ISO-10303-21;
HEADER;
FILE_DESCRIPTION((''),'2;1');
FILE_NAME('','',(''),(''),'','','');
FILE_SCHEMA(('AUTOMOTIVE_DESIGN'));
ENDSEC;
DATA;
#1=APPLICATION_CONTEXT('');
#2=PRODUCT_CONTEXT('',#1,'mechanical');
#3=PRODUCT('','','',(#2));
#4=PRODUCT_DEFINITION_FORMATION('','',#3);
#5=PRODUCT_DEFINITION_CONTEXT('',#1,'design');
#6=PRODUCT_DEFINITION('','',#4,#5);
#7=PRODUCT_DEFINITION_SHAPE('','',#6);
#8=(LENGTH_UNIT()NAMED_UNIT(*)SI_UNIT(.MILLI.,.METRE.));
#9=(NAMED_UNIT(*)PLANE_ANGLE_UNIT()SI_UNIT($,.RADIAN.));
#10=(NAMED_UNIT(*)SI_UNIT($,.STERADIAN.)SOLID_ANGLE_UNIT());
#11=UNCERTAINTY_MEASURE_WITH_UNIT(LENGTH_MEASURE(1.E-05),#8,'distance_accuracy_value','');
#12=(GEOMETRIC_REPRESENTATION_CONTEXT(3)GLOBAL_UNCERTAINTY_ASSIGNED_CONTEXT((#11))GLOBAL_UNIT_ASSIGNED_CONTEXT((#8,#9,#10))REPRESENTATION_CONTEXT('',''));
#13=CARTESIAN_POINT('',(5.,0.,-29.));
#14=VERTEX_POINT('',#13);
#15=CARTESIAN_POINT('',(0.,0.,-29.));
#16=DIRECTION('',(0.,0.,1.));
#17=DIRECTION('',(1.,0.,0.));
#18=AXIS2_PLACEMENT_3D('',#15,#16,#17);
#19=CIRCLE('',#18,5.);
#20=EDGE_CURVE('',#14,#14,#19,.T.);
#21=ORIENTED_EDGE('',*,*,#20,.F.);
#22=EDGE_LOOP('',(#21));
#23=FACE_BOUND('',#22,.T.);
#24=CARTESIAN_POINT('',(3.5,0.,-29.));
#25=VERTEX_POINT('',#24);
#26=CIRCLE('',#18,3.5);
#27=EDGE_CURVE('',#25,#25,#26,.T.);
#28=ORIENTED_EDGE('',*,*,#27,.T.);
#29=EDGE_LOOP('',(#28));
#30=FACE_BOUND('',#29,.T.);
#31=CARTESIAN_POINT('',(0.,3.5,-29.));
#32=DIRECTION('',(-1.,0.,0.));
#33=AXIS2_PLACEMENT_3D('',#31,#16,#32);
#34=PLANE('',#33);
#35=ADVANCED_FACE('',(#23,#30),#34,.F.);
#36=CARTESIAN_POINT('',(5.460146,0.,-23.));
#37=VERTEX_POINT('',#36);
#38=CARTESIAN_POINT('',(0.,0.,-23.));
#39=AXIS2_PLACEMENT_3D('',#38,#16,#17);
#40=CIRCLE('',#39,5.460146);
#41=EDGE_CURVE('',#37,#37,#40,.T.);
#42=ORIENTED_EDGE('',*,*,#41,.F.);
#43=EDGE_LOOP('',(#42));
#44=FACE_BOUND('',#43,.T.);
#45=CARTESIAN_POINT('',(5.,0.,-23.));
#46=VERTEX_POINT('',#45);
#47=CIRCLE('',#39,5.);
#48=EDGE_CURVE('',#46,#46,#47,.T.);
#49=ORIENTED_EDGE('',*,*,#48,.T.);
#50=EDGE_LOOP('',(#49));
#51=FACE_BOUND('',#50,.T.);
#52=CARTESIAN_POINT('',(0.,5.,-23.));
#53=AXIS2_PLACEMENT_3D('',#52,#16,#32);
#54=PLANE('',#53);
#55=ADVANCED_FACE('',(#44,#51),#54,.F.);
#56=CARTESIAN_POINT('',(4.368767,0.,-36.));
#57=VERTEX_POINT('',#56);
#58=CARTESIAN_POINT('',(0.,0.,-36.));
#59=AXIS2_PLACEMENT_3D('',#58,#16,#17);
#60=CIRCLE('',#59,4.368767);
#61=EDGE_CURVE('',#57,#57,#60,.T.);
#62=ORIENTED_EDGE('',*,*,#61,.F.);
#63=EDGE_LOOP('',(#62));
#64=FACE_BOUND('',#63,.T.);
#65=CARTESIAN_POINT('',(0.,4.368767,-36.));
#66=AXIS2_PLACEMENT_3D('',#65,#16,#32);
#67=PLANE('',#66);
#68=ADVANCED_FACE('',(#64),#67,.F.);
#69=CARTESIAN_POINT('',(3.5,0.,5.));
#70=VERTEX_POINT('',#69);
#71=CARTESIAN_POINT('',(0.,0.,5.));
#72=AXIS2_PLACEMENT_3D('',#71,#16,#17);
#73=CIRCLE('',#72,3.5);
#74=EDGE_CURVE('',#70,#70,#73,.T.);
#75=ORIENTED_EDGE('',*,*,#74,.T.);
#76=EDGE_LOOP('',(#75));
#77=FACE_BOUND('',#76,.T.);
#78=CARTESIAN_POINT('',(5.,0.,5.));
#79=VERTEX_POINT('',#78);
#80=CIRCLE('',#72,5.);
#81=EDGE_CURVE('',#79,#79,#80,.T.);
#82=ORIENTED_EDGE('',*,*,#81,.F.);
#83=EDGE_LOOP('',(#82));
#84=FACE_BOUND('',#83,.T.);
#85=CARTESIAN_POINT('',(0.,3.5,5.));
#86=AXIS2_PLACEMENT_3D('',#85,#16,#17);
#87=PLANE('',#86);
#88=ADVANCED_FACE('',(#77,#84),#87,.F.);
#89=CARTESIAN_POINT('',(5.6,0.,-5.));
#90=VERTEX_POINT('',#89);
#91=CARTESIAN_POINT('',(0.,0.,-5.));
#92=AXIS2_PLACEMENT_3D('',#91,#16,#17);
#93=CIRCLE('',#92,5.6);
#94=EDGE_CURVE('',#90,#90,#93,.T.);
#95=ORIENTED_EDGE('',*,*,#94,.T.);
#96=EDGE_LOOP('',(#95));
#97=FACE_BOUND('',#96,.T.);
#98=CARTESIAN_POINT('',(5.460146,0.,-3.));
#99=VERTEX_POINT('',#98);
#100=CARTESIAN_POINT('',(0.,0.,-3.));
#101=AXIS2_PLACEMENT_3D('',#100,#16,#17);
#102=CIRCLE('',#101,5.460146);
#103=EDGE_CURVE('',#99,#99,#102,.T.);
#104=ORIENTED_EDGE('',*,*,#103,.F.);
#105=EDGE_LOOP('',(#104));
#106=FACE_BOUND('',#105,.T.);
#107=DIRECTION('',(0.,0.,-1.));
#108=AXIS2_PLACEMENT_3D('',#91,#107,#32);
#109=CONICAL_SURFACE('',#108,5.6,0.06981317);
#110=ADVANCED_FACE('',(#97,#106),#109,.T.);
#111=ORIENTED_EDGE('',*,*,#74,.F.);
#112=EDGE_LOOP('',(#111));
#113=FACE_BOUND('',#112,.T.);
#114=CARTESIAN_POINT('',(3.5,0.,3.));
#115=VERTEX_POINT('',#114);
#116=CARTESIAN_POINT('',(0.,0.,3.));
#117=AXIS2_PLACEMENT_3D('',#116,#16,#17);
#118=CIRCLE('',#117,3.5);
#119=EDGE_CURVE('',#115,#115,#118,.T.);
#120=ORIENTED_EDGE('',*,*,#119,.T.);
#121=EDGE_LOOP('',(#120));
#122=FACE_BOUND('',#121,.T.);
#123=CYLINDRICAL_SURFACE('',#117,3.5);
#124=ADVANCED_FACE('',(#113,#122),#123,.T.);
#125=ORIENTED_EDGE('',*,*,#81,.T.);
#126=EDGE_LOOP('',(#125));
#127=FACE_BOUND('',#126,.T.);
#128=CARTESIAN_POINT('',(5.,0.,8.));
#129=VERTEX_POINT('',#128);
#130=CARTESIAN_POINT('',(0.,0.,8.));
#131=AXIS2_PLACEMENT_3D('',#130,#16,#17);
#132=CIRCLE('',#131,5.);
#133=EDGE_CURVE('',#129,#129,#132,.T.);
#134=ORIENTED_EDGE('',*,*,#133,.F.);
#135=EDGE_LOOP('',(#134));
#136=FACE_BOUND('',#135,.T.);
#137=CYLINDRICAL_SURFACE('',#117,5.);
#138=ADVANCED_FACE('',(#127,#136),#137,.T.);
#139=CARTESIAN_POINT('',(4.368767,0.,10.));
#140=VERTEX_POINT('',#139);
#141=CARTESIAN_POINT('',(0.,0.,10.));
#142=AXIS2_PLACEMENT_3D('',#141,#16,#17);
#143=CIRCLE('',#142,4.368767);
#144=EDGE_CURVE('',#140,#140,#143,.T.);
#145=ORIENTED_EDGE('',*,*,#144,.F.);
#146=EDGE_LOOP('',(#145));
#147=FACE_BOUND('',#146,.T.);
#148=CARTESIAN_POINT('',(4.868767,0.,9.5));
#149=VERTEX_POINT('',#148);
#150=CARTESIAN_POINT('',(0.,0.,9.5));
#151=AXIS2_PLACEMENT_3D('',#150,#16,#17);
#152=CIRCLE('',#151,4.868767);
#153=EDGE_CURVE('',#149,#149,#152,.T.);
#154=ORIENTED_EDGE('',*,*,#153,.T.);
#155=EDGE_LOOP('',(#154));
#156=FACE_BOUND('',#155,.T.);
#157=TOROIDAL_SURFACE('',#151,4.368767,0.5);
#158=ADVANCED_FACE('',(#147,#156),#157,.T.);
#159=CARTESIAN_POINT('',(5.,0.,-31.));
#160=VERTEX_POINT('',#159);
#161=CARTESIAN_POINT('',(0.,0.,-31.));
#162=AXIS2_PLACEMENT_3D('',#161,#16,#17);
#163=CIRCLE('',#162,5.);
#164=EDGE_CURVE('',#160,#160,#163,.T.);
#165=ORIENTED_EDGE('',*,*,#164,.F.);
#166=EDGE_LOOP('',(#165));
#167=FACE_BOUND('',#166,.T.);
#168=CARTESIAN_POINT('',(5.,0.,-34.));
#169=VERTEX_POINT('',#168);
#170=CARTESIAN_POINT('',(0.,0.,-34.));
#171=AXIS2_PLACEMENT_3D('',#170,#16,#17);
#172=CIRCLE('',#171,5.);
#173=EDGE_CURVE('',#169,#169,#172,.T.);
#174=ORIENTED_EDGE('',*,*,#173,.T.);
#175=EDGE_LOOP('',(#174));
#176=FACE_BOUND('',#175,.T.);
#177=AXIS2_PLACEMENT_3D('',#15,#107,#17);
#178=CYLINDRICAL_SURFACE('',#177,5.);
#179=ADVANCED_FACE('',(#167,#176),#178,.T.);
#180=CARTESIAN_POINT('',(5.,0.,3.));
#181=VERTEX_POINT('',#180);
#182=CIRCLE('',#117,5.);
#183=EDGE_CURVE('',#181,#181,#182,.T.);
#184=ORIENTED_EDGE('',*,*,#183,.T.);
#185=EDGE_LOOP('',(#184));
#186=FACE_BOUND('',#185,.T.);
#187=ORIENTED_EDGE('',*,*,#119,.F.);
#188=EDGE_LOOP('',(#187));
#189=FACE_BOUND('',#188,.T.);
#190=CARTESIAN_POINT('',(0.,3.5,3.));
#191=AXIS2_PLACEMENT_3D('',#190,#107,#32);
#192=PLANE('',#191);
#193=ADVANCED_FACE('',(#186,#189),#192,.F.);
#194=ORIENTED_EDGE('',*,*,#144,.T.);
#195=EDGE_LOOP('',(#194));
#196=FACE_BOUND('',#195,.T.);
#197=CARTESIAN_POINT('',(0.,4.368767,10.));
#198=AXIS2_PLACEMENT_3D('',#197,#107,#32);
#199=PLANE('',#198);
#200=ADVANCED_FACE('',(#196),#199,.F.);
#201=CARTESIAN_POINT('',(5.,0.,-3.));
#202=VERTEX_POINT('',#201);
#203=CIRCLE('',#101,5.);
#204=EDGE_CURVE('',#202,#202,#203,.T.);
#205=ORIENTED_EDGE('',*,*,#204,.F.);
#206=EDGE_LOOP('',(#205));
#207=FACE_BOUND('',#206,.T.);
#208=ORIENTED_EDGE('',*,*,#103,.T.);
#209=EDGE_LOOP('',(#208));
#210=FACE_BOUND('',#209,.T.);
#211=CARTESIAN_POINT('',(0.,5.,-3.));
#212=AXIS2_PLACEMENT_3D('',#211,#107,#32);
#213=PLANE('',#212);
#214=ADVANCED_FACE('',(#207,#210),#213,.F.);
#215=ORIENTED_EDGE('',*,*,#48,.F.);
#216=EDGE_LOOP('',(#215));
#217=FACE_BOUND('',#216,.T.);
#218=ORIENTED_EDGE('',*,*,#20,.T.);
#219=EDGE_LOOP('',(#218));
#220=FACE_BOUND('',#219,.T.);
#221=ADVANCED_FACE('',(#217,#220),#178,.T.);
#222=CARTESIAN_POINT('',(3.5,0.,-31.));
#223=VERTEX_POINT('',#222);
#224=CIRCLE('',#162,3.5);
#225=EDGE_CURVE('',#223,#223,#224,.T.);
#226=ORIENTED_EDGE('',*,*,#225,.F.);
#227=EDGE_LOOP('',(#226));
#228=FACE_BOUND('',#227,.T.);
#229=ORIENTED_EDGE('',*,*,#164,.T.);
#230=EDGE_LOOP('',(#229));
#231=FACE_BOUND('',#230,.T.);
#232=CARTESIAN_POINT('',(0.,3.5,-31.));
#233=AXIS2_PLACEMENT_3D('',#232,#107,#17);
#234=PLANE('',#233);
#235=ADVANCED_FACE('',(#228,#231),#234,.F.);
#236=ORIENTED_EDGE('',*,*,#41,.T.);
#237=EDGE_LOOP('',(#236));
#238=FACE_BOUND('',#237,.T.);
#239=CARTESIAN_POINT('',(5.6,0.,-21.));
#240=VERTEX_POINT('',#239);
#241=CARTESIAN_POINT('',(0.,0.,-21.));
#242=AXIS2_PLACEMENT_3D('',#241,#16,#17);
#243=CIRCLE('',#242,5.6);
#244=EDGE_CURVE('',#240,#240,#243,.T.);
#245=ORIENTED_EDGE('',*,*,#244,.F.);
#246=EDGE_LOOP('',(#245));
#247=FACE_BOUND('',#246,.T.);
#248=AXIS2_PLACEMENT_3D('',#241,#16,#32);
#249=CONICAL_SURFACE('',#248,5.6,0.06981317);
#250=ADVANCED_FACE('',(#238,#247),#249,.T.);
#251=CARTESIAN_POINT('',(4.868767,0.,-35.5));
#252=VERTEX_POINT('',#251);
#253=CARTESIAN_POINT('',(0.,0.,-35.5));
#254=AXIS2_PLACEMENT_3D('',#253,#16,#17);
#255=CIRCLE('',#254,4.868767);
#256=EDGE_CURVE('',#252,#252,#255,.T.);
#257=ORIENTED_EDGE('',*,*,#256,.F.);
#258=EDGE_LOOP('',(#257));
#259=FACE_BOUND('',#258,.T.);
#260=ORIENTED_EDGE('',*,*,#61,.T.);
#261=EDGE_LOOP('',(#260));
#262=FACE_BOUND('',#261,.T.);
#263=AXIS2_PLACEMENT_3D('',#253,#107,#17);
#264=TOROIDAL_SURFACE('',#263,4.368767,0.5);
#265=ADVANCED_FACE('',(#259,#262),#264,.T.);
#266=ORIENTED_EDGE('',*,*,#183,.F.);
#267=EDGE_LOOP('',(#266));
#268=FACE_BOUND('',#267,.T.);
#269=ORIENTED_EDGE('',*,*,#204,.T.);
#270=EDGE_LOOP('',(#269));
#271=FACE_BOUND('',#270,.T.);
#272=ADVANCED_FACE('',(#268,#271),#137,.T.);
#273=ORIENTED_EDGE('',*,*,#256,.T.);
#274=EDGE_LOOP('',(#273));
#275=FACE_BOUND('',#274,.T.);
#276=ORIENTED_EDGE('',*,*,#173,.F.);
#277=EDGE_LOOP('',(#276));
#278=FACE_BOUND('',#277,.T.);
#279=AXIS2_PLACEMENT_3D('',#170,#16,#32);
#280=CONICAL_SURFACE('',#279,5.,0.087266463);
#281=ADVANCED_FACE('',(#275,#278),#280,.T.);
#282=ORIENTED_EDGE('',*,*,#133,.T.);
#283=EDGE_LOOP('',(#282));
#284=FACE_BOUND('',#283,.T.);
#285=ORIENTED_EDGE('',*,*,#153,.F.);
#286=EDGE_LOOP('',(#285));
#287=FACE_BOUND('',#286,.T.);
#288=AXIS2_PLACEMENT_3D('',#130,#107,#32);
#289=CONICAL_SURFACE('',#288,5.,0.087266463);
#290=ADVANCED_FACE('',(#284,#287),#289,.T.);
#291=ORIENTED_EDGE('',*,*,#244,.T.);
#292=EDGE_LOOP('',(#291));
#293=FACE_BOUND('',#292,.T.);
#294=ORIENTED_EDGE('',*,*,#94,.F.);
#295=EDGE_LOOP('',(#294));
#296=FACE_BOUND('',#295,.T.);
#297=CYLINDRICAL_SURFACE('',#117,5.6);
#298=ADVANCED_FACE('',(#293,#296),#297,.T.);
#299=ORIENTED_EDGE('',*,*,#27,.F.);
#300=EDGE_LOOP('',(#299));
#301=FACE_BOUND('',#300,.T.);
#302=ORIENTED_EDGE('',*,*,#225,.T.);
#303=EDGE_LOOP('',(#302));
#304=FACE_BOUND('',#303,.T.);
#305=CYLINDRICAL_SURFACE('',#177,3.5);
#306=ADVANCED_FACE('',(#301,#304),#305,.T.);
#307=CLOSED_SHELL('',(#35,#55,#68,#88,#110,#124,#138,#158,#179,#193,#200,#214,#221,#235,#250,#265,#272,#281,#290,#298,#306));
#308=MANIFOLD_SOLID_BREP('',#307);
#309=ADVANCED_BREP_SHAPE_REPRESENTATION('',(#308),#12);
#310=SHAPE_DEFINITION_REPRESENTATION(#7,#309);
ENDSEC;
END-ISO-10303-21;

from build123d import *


with BuildPart() as part:
    # Sketch1 → Revolve1 (revolve)
    with BuildSketch(Plane(origin=(0, 0, 0), x_dir=(0, 0, -1), z_dir=(1, 0, 0))):
        with BuildLine():
            Line((-10, 0), (-3, 0))
            Line((-3, 0), (13, 0))
            Line((13, 0), (13, 5.6))
            Line((13, 5.6), (5, 5.6))
            Line((5, 5.6), (3, 5.460146376))
            Line((3, 5.460146376), (3, 5))
            Line((3, 5), (-3, 5))
            Line((-3, 5), (-3, 3.5))
            Line((-3, 3.5), (-5, 3.5))
            Line((-5, 3.5), (-5, 5))
            Line((-5, 5), (-8, 5))
            Line((-8, 5), (-9.5, 4.868767005))
            ThreePointArc((-9.5, 4.868767005), (-9.853553391, 4.722320395), (-10, 4.368767005))
            Line((-10, 4.368767005), (-10, 0))
        make_face()
    revolve1 = revolve(axis=Axis((0, 0, 3), (0, 0, -1)))

    # Mirror1: Revolve1 across plane
    add(revolve1.mirror(Plane(origin=(0, 0, -13), x_dir=(1, 0, 0), z_dir=(0, 0, -1))))


solid = part.part
